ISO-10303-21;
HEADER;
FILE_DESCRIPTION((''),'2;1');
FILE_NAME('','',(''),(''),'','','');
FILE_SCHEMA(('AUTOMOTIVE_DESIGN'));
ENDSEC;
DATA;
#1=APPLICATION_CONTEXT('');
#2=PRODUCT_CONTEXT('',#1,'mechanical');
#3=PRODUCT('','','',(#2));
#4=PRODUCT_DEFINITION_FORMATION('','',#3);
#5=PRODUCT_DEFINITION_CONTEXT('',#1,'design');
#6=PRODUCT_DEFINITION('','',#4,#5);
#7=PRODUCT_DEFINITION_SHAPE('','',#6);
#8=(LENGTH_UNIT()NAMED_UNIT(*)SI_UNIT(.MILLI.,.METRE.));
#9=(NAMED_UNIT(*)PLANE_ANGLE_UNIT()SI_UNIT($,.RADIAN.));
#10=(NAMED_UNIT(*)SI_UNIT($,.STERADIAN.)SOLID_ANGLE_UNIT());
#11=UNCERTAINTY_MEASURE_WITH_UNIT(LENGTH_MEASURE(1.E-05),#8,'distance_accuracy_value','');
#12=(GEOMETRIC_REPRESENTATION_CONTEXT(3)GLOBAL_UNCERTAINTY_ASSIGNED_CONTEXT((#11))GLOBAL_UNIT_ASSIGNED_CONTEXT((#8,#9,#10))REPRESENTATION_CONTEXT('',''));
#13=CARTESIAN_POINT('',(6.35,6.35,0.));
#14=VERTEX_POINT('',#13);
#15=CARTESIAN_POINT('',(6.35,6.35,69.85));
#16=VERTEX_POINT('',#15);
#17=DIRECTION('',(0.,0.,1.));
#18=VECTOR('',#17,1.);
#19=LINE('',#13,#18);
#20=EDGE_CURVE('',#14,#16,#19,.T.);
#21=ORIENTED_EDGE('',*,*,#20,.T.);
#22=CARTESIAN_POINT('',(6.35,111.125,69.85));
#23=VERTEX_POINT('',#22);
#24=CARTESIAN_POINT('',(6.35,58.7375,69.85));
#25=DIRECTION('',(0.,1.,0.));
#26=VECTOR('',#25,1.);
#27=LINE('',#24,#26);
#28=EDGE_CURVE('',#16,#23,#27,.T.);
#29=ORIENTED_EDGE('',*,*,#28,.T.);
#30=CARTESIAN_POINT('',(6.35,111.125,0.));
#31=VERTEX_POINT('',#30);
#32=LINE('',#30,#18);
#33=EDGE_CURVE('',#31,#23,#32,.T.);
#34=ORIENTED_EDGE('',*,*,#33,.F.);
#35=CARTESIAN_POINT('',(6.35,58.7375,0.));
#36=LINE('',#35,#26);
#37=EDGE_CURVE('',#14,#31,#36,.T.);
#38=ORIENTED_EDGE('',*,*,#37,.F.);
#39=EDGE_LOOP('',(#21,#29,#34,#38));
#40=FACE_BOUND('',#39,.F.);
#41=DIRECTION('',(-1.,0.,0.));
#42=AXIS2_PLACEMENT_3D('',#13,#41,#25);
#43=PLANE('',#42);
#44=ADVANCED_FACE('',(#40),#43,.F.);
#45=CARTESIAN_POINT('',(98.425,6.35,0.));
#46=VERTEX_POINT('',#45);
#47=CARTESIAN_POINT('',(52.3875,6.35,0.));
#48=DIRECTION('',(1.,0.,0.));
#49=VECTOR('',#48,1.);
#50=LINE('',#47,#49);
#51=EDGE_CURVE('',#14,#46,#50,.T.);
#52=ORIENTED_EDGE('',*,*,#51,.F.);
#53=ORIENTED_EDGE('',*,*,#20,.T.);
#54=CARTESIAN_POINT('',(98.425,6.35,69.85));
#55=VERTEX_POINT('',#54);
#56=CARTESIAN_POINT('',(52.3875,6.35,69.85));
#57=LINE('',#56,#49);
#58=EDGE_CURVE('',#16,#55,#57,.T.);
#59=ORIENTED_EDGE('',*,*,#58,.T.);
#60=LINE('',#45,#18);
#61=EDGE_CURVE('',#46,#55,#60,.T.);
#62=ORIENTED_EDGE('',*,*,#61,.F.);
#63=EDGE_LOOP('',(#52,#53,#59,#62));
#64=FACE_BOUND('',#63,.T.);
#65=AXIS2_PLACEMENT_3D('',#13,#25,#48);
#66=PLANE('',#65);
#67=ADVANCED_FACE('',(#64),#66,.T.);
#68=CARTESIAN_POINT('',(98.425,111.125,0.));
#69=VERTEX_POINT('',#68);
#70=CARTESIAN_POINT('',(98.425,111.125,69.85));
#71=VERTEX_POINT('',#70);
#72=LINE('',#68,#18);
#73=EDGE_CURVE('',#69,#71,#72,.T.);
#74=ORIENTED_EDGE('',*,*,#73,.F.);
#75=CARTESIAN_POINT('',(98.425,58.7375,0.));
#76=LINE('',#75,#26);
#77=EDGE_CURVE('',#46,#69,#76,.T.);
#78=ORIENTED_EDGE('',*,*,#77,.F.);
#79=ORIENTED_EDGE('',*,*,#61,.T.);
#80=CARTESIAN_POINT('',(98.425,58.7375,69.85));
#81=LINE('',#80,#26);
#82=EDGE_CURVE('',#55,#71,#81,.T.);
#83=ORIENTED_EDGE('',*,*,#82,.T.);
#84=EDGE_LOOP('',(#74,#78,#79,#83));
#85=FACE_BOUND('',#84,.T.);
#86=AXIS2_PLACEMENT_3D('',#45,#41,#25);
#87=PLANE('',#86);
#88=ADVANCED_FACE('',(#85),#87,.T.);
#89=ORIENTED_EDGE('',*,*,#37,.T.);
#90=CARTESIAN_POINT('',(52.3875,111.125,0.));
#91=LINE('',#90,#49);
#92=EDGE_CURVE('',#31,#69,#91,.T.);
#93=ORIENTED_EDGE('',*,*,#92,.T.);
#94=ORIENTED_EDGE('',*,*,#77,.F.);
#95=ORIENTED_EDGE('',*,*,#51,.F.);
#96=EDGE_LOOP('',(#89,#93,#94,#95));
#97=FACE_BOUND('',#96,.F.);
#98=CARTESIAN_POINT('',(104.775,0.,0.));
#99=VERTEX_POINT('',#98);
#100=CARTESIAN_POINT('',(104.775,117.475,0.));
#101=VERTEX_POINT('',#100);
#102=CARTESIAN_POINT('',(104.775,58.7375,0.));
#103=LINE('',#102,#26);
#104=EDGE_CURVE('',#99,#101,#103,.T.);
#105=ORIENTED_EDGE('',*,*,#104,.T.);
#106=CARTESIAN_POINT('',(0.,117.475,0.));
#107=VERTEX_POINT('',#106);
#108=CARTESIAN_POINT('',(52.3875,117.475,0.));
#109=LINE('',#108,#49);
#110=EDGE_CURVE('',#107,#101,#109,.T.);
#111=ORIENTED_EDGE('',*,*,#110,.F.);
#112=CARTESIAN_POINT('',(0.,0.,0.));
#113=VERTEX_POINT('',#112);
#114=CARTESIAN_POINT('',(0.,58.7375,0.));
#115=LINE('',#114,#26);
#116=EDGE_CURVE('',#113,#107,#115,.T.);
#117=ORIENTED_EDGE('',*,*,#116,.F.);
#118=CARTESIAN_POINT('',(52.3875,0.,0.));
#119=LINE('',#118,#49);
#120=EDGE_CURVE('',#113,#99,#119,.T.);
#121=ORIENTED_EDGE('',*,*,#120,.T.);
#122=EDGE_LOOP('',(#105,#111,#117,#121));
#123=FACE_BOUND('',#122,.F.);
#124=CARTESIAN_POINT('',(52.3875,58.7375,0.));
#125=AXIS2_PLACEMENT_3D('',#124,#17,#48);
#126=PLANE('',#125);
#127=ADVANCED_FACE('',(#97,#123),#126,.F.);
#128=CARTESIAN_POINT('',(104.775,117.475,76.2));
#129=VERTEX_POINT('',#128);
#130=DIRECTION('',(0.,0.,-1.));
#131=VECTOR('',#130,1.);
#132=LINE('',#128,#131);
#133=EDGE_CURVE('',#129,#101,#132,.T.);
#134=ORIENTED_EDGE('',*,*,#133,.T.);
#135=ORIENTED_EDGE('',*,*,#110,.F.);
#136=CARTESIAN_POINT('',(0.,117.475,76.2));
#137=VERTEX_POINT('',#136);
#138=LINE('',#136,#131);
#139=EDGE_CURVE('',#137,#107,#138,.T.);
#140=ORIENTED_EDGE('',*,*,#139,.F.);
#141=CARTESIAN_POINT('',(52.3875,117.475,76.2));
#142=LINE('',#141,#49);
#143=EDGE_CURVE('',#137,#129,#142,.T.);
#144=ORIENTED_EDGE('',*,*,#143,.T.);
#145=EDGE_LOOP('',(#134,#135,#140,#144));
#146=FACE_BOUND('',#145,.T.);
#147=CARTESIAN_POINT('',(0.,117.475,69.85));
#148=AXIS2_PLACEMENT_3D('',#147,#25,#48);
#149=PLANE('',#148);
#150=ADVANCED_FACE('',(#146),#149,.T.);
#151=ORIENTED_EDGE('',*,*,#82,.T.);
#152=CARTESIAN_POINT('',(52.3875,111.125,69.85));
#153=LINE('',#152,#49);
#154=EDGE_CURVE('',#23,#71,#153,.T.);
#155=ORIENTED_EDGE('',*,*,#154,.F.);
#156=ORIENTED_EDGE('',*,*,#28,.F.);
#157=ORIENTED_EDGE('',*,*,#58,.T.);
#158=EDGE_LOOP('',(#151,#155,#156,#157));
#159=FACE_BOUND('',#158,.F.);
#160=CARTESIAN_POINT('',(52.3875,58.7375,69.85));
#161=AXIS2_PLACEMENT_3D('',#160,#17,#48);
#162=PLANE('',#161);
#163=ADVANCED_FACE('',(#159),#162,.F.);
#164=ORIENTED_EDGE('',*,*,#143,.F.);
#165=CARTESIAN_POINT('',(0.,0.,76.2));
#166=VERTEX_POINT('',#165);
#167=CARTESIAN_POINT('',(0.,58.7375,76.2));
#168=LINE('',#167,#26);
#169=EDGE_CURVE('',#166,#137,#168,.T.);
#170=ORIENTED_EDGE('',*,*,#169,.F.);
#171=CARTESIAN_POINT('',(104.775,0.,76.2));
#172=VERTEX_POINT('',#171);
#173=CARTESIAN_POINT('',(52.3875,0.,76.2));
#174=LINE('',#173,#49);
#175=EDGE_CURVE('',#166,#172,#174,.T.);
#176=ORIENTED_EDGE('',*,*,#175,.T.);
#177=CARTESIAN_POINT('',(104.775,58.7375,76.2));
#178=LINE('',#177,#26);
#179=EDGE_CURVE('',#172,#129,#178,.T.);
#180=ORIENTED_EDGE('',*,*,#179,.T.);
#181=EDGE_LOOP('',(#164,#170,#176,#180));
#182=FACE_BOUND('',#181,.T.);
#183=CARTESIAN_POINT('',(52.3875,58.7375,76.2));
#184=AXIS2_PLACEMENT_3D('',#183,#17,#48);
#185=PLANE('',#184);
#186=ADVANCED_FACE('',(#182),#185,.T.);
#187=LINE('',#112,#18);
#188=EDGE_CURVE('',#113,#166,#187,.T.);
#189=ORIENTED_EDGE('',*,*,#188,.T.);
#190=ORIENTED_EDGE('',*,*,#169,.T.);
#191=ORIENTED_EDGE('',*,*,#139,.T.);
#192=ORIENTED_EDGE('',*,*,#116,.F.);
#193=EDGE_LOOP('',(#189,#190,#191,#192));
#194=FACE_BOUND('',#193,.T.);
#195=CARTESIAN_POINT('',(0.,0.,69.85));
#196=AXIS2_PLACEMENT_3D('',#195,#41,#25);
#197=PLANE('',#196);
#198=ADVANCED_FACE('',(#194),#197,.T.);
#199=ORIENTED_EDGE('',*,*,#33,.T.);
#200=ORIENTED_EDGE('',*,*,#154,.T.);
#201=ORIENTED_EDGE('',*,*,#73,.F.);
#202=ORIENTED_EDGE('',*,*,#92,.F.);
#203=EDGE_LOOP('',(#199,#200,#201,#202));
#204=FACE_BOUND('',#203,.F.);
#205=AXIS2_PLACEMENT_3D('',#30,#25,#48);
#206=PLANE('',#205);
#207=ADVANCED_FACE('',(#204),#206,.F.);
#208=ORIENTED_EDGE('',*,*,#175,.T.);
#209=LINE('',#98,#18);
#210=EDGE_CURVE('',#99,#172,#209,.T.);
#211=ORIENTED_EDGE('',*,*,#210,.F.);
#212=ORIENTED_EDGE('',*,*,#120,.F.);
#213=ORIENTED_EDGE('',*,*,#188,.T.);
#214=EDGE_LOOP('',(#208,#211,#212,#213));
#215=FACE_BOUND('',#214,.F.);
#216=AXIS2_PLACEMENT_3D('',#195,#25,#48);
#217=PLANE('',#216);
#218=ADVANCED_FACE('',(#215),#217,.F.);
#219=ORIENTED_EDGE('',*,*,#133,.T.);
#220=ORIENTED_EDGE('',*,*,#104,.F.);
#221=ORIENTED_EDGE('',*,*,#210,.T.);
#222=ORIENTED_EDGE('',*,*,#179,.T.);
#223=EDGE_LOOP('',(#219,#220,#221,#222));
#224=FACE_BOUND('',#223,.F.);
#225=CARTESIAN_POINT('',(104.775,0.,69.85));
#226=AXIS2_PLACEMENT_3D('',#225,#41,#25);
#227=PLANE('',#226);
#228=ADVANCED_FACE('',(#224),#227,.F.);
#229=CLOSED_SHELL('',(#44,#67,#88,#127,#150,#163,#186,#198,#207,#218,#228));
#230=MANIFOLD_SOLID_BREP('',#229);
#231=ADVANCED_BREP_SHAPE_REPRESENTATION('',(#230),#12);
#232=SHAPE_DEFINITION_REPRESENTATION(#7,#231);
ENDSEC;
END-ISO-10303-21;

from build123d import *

# Parameters (mm, degrees)
F0_W     = 104.775
F0_H     = 117.475
F0_W_2   = 92.075
F0_H_2   = 104.775
F1_DEPTH = 69.85
F2_W     = 104.775
F2_H     = 117.475
F2_W_2   = 92.075
F2_H_2   = 104.775
F3_DEPTH = 6.35


with BuildPart() as f1:
    # F0 (on Top) → F1 (new body)
    with BuildSketch(Plane.XY):
        with Locations((52.3875, 58.7375)):
            Rectangle(F0_W, F0_H)
        with Locations((52.3875, 58.7375)):
            Rectangle(F0_W_2, F0_H_2, mode=Mode.SUBTRACT)
    extrude(amount=F1_DEPTH)

    # F2 (on face) → F3 (join)
    with BuildSketch(Plane.XY.offset(69.85)):
        with Locations((52.3875, 58.7375)):
            Rectangle(F2_W, F2_H)
        with Locations((52.3875, 58.7375)):
            Rectangle(F2_W_2, F2_H_2, mode=Mode.SUBTRACT)
        with Locations((52.3875, 58.7375)):
            Rectangle(F2_W_2, F2_H_2)
    extrude(amount=F3_DEPTH)


solid = f1.part
